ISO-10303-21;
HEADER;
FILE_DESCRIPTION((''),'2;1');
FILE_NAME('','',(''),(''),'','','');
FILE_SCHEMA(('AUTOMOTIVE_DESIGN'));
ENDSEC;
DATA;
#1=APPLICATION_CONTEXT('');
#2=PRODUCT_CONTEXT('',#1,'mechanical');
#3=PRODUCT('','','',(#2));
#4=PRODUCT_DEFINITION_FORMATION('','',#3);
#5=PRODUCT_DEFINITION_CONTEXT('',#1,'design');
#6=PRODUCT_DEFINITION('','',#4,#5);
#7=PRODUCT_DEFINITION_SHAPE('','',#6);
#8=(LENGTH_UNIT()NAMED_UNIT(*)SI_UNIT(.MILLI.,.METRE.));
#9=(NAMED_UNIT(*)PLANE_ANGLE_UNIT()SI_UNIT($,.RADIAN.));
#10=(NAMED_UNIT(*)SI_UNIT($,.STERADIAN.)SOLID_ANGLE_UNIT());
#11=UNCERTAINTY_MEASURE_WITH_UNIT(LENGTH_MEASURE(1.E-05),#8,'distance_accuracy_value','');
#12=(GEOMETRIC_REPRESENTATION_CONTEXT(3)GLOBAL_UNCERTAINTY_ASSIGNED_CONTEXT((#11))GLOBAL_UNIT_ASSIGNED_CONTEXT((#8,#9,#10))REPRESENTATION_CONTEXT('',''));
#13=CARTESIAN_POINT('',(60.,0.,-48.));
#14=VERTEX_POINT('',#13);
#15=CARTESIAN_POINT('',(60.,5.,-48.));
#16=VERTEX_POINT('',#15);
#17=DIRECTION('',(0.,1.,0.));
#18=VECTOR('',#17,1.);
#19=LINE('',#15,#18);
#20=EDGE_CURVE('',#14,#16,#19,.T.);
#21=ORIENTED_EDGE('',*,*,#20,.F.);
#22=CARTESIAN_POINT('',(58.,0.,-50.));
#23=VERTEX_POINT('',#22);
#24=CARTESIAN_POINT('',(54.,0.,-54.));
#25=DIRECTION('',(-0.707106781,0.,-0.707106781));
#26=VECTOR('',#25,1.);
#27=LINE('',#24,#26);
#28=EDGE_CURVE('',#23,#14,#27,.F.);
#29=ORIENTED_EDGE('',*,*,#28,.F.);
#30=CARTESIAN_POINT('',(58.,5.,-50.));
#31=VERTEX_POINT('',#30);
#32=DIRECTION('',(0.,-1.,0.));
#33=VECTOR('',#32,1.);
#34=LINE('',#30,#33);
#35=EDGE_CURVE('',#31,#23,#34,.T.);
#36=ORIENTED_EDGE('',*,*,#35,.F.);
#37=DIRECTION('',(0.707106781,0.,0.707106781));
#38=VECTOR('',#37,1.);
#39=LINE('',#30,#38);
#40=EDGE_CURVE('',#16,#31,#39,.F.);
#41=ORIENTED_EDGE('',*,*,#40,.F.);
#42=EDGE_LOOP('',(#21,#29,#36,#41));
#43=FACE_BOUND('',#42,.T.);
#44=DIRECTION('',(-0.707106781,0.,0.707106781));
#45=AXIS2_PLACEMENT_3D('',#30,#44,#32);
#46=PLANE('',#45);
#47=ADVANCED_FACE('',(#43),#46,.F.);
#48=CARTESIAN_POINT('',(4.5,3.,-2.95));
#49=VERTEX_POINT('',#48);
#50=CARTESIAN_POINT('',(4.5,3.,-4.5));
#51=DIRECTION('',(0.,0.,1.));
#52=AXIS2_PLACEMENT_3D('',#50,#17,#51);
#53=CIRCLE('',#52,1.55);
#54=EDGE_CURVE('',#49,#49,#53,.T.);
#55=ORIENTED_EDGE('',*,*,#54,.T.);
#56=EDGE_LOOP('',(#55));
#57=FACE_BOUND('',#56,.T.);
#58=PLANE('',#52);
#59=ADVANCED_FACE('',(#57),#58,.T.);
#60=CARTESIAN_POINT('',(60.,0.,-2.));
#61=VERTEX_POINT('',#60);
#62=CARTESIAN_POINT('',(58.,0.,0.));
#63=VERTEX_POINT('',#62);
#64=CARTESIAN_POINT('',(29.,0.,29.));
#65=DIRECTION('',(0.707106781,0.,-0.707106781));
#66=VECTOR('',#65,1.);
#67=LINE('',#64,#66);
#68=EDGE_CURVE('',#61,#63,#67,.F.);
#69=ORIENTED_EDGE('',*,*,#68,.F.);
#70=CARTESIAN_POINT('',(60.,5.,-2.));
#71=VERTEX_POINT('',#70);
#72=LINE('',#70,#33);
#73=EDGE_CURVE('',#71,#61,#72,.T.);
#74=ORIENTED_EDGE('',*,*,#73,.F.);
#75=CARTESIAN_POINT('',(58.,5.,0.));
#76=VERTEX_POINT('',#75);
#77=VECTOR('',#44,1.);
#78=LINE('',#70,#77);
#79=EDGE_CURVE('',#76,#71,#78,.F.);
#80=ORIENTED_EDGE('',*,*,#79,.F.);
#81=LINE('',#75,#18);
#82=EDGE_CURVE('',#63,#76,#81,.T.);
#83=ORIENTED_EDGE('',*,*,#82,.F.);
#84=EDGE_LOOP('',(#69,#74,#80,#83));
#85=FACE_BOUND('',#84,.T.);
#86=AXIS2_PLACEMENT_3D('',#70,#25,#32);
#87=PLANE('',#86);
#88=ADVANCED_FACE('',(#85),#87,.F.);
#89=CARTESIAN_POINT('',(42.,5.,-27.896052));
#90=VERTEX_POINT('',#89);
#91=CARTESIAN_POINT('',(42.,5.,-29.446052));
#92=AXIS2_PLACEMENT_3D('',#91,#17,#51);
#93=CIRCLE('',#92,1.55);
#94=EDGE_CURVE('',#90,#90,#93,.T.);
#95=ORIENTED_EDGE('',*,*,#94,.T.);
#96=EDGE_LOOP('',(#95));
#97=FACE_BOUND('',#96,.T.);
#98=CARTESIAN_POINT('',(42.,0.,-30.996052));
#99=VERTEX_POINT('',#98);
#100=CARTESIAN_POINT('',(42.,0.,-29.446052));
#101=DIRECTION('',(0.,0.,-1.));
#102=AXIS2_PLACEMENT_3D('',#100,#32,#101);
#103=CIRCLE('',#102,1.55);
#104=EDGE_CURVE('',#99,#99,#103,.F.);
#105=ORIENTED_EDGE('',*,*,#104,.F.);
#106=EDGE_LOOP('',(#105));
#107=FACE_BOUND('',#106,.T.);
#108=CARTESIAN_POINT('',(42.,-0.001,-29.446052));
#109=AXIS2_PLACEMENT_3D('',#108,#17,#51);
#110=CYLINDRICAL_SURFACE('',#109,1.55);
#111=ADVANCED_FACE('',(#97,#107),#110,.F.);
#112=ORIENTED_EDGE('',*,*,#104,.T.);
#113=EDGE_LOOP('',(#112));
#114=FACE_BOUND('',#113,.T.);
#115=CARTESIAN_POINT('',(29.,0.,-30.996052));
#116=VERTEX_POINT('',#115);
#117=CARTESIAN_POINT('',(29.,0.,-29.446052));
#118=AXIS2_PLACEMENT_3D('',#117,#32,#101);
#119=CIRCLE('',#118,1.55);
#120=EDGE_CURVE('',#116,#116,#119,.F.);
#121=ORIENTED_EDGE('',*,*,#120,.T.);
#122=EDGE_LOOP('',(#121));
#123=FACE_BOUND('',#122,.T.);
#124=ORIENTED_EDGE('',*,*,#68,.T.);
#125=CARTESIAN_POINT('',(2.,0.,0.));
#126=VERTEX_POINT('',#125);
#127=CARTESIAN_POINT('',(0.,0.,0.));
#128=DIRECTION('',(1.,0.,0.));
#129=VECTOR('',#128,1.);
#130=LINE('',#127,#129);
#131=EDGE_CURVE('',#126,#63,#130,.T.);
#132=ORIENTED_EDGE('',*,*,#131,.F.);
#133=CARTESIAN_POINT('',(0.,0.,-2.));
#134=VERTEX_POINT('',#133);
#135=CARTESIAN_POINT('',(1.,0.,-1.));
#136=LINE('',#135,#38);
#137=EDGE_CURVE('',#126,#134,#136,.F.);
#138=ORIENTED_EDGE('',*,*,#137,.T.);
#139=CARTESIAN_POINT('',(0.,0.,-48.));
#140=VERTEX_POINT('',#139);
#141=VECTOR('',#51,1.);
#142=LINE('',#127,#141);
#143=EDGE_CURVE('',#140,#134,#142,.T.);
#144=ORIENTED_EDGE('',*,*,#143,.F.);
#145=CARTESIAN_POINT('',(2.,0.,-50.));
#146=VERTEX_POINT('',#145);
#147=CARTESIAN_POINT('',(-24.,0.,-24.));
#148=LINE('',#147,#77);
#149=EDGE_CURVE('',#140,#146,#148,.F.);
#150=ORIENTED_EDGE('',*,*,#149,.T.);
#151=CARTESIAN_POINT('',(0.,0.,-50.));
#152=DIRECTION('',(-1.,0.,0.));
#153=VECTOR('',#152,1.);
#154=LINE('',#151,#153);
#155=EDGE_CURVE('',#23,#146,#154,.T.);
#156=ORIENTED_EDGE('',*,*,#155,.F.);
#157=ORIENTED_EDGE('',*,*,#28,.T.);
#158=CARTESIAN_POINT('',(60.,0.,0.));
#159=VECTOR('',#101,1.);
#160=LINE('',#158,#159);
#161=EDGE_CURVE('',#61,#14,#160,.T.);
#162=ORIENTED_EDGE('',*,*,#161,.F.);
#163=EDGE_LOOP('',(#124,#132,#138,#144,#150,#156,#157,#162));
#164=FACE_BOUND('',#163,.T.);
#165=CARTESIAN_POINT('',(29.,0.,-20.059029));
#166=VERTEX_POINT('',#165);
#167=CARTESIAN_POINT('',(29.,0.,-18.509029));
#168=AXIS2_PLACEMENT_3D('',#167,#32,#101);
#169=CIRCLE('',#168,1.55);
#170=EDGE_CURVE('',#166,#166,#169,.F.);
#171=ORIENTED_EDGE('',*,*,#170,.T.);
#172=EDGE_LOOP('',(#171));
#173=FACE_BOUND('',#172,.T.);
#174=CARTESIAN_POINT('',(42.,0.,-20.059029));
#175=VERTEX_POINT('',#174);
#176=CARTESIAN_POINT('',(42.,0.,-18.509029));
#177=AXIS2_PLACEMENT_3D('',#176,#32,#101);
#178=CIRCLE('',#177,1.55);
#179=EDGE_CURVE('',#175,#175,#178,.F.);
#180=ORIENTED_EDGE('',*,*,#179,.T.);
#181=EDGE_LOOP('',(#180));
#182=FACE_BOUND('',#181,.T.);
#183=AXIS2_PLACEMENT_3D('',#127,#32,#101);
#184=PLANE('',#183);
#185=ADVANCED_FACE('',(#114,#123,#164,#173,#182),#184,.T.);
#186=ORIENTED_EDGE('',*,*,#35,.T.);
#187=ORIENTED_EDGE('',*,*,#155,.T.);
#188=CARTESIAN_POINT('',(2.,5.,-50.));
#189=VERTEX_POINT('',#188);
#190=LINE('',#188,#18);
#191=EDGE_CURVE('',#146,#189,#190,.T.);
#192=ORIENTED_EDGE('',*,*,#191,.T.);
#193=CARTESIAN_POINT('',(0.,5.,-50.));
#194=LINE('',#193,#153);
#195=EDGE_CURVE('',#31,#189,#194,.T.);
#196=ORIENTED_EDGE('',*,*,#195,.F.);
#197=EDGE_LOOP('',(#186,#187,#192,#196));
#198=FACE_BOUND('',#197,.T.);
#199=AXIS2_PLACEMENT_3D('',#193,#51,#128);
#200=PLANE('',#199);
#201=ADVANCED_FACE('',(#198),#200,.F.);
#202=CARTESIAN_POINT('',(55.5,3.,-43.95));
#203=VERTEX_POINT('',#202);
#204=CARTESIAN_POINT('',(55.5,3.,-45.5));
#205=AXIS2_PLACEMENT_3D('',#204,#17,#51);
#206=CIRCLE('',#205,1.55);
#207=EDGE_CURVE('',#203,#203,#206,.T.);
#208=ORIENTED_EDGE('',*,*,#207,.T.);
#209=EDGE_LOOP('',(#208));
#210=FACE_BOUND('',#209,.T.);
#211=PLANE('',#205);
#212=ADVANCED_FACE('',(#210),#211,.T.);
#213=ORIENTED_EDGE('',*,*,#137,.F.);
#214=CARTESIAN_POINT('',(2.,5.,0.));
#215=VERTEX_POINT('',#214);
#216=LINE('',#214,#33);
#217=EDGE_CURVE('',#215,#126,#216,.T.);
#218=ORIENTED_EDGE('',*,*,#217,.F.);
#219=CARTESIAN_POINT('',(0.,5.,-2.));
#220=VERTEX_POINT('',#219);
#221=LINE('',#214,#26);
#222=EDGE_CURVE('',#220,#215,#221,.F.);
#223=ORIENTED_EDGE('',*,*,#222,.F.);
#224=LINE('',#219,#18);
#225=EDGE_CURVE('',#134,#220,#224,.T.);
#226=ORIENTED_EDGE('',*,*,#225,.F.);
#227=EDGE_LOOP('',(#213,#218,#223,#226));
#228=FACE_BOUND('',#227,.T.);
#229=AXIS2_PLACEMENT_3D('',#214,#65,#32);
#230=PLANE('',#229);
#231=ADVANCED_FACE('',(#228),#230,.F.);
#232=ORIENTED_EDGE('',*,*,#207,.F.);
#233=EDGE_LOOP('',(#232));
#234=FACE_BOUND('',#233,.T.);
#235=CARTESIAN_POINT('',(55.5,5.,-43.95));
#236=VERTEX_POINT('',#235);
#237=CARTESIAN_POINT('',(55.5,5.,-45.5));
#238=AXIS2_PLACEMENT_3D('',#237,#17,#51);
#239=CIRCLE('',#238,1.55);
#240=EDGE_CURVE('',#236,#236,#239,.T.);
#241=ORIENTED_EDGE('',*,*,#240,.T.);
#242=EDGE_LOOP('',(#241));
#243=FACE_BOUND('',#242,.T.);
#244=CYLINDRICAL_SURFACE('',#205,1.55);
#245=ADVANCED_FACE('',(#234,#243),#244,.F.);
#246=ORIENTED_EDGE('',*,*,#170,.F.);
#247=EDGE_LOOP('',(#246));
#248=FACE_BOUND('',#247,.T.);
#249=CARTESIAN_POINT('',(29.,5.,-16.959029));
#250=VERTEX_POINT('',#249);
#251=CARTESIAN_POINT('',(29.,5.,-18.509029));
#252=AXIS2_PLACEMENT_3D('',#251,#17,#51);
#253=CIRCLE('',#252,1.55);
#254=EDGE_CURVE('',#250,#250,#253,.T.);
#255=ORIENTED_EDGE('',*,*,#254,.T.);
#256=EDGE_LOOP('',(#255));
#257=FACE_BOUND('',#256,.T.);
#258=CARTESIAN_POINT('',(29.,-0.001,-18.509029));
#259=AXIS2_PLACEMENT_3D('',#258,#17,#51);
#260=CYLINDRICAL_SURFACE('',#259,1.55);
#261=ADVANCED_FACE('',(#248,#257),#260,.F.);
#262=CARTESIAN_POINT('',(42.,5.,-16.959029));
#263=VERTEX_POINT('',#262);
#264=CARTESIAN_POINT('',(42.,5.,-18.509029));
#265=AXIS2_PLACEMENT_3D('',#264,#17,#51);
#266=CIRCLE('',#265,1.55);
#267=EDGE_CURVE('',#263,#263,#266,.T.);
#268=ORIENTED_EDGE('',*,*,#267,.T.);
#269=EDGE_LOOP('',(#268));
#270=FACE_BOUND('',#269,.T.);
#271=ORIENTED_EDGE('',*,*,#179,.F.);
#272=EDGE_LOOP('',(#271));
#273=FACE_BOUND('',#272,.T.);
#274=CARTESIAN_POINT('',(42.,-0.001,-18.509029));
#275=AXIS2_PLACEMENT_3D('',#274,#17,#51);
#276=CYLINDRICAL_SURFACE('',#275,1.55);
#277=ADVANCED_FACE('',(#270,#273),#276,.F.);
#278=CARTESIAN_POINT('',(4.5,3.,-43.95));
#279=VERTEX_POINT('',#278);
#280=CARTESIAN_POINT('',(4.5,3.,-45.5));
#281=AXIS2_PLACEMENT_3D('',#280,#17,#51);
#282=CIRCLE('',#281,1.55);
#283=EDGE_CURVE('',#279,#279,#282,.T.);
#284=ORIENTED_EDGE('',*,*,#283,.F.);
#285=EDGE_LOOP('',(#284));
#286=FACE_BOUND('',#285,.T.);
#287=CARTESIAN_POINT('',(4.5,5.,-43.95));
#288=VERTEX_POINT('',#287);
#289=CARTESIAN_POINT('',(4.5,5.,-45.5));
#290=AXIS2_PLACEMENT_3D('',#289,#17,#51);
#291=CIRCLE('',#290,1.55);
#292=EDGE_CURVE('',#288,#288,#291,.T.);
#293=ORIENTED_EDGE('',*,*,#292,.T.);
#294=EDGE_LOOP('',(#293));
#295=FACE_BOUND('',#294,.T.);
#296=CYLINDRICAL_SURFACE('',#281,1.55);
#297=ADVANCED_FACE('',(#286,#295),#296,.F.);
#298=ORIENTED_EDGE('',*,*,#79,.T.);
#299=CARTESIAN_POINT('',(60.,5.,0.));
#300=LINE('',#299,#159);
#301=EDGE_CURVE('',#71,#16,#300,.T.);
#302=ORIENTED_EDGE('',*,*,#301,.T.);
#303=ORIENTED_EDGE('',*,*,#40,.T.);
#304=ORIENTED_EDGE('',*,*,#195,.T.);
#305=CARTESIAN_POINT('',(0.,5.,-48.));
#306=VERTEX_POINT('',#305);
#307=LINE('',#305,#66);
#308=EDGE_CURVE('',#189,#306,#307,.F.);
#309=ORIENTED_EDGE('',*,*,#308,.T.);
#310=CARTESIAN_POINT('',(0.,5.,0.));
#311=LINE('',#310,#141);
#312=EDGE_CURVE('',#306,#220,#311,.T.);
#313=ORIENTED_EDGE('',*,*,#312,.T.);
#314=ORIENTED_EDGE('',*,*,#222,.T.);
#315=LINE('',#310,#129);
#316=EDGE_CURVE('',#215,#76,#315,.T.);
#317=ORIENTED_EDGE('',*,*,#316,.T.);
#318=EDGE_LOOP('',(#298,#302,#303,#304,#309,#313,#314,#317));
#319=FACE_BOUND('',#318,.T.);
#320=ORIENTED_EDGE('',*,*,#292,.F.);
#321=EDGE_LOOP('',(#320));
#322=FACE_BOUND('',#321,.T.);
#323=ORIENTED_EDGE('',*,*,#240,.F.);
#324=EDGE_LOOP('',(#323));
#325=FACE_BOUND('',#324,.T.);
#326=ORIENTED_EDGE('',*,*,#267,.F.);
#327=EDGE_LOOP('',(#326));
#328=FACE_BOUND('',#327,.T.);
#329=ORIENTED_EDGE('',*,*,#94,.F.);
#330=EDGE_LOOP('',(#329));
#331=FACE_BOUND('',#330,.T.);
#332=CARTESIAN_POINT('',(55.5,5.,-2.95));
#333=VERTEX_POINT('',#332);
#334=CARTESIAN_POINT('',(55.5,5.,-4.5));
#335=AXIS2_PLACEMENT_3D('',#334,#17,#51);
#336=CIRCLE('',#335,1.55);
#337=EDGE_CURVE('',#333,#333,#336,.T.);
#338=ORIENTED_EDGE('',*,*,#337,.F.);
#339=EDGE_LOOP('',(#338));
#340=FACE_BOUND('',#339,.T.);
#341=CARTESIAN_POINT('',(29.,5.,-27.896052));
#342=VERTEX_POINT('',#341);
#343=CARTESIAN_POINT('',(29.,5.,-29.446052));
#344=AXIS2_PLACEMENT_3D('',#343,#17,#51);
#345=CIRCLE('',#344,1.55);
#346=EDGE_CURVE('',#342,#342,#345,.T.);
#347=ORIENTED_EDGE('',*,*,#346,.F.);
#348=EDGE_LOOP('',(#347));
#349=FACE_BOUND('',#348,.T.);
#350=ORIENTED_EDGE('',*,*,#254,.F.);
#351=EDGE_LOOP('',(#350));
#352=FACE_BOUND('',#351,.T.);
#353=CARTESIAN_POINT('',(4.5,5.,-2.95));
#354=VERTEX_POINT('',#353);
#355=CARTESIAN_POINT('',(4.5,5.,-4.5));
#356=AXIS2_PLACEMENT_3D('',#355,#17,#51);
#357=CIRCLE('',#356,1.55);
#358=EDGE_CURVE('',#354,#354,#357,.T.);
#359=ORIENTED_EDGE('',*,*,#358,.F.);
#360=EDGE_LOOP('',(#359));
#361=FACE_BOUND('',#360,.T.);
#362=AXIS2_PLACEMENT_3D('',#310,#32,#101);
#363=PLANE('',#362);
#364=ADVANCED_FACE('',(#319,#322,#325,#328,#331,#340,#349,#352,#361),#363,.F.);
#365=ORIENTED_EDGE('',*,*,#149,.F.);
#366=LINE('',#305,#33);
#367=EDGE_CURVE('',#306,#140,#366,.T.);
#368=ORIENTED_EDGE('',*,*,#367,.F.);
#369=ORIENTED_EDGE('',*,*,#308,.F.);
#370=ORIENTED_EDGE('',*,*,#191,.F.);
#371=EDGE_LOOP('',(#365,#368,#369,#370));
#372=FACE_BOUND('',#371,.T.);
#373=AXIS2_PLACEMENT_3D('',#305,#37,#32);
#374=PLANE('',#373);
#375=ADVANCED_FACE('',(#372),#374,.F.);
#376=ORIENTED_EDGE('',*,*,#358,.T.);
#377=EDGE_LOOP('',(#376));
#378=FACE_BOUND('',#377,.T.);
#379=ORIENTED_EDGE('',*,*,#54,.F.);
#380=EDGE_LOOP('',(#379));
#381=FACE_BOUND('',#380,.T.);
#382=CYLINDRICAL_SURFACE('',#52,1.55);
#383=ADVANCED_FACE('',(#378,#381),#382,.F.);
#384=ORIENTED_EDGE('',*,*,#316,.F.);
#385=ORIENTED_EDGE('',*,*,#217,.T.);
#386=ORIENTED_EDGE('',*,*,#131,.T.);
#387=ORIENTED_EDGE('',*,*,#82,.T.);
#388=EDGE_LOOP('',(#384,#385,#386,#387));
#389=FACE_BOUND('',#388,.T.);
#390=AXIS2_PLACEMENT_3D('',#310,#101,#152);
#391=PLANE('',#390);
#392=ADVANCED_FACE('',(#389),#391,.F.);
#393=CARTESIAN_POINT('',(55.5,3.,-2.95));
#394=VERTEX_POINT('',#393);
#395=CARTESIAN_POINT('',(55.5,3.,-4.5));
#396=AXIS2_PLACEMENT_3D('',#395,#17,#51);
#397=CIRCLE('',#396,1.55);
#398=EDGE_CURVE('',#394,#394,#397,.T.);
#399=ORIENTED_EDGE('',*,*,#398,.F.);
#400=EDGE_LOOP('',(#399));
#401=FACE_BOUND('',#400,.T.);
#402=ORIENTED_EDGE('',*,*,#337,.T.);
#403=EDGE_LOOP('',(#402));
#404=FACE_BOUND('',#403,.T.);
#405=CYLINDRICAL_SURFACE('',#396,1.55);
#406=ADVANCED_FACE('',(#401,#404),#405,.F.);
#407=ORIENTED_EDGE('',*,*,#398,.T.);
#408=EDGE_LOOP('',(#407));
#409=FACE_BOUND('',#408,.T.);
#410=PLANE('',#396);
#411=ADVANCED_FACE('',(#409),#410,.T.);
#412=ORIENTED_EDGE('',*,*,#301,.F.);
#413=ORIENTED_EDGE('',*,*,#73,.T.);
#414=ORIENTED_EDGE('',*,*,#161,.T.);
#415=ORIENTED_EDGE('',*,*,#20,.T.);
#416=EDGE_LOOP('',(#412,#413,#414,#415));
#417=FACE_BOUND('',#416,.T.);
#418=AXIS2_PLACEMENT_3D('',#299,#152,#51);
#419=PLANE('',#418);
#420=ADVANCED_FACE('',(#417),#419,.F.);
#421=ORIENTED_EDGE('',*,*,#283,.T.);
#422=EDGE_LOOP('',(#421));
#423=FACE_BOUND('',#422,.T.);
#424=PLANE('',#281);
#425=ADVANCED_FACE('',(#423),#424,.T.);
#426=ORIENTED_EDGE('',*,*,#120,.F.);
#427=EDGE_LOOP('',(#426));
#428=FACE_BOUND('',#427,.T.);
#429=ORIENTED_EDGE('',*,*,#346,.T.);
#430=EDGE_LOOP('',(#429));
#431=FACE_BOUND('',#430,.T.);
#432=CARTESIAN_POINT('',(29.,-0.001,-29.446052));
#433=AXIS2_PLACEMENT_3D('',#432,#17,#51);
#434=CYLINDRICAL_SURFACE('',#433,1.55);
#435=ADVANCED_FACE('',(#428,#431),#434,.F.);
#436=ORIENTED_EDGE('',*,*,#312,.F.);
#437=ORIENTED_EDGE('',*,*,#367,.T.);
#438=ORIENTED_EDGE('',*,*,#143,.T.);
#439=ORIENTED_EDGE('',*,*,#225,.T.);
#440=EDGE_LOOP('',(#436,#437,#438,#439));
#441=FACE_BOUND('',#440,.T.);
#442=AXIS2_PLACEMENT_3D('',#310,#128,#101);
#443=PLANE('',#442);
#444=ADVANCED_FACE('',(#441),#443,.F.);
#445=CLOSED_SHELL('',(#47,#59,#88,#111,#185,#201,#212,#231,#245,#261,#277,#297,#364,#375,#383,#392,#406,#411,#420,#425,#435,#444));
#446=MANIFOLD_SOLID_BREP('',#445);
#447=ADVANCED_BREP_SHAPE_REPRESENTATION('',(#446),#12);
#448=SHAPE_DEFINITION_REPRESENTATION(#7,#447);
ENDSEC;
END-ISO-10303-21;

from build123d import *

# Parameters (mm, degrees)
SKETCH1_W           = 60
SKETCH1_H           = 50
BOSS_EXTRUDE1_DEPTH = 5
CHAMFER1_SIZE       = 2
SKETCH2_R           = 1.55
CUT_EXTRUDE1_DEPTH  = 2
CUT_EXTRUDE2_REACH  = 7
SKETCH3_R           = 1.55


with BuildPart() as part:
    # Sketch1 → Boss-Extrude1 (new body)
    with BuildSketch(Plane(origin=(0, 0, 0), x_dir=(1, 0, 0), z_dir=(0, 1, 0))):
        with Locations((30, 25)):
            Rectangle(SKETCH1_W, SKETCH1_H)
    extrude(amount=BOSS_EXTRUDE1_DEPTH)

    # Chamfer1
    chamfer1_edges = [part.edges().sort_by_distance(p)[0] for p in [
        (0, 2.5, -50),
        (60, 2.5, -50),
        (60, 2.5, 0),
        (0, 2.5, 0),
    ]]
    chamfer(chamfer1_edges, length=CHAMFER1_SIZE)

    # Sketch2 → Cut-Extrude1 (cut)
    with BuildSketch(Plane(origin=(0, 5, 0), x_dir=(1, 0, 0), z_dir=(0, 1, 0))):
        with Locations((55.5, 4.5)):
            Circle(SKETCH2_R)
        with Locations((4.5, 4.5)):
            Circle(SKETCH2_R)
        with Locations((4.5, 45.5)):
            Circle(SKETCH2_R)
        with Locations((55.5, 45.5)):
            Circle(SKETCH2_R)
    extrude(amount=-CUT_EXTRUDE1_DEPTH, mode=Mode.SUBTRACT)

    # Sketch3 → Cut-Extrude2 (cut, up to next)
    with BuildSketch(Plane(origin=(0, 5, 0), x_dir=(1, 0, 0), z_dir=(0, 1, 0)), mode=Mode.PRIVATE) as cut_extrude2_sk1:
        with Locations((42, 29.446052378)):
            Circle(SKETCH3_R)
    cut_extrude2_tool1 = extrude(cut_extrude2_sk1.sketch, amount=-CUT_EXTRUDE2_REACH, mode=Mode.PRIVATE) & part.part
    add(cut_extrude2_tool1.solids().sort_by_distance((42, 5, -29.446052))[0], mode=Mode.SUBTRACT)
    # Sketch3 → Cut-Extrude2 (cut, up to next)
    with BuildSketch(Plane(origin=(0, 5, 0), x_dir=(1, 0, 0), z_dir=(0, 1, 0)), mode=Mode.PRIVATE) as cut_extrude2_sk2:
        with Locations((29, 29.446052378)):
            Circle(SKETCH3_R)
    cut_extrude2_tool2 = extrude(cut_extrude2_sk2.sketch, amount=-CUT_EXTRUDE2_REACH, mode=Mode.PRIVATE) & part.part
    add(cut_extrude2_tool2.solids().sort_by_distance((29, 5, -29.446052))[0], mode=Mode.SUBTRACT)
    # Sketch3 → Cut-Extrude2 (cut, up to next)
    with BuildSketch(Plane(origin=(0, 5, 0), x_dir=(1, 0, 0), z_dir=(0, 1, 0)), mode=Mode.PRIVATE) as cut_extrude2_sk3:
        with Locations((42, 18.509029021)):
            Circle(SKETCH3_R)
    cut_extrude2_tool3 = extrude(cut_extrude2_sk3.sketch, amount=-CUT_EXTRUDE2_REACH, mode=Mode.PRIVATE) & part.part
    add(cut_extrude2_tool3.solids().sort_by_distance((42, 5, -18.509029))[0], mode=Mode.SUBTRACT)
    # Sketch3 → Cut-Extrude2 (cut, up to next)
    with BuildSketch(Plane(origin=(0, 5, 0), x_dir=(1, 0, 0), z_dir=(0, 1, 0)), mode=Mode.PRIVATE) as cut_extrude2_sk4:
        with Locations((29, 18.509029021)):
            Circle(SKETCH3_R)
    cut_extrude2_tool4 = extrude(cut_extrude2_sk4.sketch, amount=-CUT_EXTRUDE2_REACH, mode=Mode.PRIVATE) & part.part
    add(cut_extrude2_tool4.solids().sort_by_distance((29, 5, -18.509029))[0], mode=Mode.SUBTRACT)


solid = part.part
